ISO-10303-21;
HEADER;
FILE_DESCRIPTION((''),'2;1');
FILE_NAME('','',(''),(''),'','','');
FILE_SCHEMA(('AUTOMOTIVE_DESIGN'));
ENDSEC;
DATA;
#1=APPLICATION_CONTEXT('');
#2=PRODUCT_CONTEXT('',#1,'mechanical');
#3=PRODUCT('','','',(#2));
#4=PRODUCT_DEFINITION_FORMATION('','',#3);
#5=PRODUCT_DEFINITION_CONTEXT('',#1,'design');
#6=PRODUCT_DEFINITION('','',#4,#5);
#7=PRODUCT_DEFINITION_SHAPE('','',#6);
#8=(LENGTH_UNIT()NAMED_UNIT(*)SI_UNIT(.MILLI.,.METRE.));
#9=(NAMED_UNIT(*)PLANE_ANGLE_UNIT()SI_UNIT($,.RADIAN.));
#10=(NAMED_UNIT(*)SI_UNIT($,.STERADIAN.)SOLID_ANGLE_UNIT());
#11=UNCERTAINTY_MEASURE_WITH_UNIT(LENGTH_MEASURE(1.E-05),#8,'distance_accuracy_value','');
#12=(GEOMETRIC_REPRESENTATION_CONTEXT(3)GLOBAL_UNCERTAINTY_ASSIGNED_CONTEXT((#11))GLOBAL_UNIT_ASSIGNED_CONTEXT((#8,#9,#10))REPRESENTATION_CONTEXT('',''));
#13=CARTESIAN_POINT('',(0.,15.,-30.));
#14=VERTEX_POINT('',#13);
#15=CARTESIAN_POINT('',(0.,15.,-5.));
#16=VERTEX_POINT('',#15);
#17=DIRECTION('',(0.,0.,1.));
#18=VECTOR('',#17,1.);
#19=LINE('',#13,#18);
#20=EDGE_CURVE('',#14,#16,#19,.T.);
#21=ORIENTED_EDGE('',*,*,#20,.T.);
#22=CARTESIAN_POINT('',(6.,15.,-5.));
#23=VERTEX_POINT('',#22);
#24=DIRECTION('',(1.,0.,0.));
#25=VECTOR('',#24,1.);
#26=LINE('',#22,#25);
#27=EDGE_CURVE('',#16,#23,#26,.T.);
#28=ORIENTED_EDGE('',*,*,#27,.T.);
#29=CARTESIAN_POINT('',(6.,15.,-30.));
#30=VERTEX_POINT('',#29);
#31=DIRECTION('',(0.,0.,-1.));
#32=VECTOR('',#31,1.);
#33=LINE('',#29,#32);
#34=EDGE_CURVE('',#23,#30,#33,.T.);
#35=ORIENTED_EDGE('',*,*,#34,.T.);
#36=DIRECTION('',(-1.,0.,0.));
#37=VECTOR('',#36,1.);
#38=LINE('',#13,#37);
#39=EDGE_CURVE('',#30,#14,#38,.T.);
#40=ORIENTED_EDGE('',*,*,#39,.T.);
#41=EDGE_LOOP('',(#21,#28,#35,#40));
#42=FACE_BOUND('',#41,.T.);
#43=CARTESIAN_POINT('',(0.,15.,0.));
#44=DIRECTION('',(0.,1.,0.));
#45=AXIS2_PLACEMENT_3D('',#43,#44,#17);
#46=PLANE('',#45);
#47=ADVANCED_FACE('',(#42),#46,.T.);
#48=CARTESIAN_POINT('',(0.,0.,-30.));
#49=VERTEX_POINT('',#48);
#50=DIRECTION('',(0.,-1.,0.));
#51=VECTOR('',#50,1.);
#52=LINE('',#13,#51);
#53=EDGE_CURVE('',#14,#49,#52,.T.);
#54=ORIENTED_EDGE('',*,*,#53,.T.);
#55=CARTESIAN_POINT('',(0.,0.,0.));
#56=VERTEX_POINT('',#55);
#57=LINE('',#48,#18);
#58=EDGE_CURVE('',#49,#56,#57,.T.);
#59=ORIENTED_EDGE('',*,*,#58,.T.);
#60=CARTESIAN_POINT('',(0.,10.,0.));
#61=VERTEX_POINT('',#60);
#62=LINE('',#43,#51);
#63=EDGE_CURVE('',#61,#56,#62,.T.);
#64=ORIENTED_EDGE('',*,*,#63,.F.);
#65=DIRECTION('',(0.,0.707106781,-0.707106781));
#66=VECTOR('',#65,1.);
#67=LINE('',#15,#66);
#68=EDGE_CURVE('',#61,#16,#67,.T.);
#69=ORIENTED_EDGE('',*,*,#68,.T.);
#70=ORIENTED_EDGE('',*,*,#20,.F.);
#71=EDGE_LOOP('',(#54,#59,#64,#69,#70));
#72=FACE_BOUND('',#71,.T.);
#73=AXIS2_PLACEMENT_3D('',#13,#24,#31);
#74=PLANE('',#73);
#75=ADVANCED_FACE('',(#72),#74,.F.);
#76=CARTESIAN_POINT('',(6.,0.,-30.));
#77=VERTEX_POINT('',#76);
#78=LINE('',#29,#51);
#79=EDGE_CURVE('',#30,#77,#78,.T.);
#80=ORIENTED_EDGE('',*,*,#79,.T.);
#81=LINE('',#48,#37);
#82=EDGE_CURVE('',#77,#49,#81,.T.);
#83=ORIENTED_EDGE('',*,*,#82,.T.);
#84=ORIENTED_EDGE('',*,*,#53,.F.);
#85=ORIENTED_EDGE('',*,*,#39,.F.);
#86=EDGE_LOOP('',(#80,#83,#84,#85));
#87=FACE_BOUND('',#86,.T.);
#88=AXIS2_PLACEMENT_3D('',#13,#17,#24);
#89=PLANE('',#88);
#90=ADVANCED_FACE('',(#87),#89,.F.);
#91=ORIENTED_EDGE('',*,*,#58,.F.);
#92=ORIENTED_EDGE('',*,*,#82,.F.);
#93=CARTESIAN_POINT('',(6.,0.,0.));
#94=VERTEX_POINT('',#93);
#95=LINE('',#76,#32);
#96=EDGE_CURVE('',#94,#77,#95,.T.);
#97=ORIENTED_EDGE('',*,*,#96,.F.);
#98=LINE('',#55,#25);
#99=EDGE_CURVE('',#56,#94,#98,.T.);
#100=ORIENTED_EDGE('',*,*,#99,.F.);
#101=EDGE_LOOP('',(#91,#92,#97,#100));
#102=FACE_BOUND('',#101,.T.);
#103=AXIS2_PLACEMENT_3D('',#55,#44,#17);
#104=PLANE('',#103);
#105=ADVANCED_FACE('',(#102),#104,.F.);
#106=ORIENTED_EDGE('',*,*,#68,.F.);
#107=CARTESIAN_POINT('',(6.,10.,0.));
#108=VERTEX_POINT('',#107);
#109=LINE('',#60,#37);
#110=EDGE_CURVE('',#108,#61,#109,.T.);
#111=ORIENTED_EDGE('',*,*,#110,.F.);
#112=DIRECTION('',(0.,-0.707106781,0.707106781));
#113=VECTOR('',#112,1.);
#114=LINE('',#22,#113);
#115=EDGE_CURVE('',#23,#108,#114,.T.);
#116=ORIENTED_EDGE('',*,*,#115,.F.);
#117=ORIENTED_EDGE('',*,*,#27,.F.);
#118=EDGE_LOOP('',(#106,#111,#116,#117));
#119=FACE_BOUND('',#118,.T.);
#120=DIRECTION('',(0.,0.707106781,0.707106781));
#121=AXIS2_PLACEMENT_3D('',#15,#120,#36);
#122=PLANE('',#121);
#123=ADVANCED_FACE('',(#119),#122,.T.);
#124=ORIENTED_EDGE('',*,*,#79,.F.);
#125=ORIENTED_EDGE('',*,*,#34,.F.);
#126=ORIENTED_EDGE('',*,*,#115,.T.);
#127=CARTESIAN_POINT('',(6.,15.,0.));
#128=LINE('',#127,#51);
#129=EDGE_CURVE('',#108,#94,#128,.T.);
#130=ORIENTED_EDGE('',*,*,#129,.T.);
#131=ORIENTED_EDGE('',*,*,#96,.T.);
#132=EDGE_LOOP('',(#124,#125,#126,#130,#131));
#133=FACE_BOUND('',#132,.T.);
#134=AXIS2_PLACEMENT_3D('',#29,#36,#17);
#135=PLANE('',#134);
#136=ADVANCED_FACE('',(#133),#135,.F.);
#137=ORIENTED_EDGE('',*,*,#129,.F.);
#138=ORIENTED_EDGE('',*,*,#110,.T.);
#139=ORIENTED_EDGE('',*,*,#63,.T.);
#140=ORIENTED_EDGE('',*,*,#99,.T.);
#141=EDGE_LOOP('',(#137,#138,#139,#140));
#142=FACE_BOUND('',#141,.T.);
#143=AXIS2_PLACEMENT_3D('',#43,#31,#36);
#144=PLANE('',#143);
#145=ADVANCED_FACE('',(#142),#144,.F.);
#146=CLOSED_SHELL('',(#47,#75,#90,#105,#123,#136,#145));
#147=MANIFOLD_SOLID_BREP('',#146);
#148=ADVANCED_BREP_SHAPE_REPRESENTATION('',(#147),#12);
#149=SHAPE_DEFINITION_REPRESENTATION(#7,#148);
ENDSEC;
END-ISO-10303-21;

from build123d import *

# Parameters (mm, degrees)
SKETCH_1_W      = 6
SKETCH_1_H      = 30
EXTRUDE_1_DEPTH = 15
CHAMFER_1_SIZE  = 5


with BuildPart() as part:
    # Эскиз1 → Бобышка-Вытянуть1 (new body)
    with BuildSketch(Plane(origin=(0, 0, 0), x_dir=(1, 0, 0), z_dir=(0, 1, 0))):
        with Locations((3, 15)):
            Rectangle(SKETCH_1_W, SKETCH_1_H)
    extrude(amount=EXTRUDE_1_DEPTH)

    # Фаска1
    chamfer_1_edges = [part.edges().sort_by_distance(p)[0] for p in [
        (3, 15, 0),
    ]]
    chamfer(chamfer_1_edges, length=CHAMFER_1_SIZE)


solid = part.part
